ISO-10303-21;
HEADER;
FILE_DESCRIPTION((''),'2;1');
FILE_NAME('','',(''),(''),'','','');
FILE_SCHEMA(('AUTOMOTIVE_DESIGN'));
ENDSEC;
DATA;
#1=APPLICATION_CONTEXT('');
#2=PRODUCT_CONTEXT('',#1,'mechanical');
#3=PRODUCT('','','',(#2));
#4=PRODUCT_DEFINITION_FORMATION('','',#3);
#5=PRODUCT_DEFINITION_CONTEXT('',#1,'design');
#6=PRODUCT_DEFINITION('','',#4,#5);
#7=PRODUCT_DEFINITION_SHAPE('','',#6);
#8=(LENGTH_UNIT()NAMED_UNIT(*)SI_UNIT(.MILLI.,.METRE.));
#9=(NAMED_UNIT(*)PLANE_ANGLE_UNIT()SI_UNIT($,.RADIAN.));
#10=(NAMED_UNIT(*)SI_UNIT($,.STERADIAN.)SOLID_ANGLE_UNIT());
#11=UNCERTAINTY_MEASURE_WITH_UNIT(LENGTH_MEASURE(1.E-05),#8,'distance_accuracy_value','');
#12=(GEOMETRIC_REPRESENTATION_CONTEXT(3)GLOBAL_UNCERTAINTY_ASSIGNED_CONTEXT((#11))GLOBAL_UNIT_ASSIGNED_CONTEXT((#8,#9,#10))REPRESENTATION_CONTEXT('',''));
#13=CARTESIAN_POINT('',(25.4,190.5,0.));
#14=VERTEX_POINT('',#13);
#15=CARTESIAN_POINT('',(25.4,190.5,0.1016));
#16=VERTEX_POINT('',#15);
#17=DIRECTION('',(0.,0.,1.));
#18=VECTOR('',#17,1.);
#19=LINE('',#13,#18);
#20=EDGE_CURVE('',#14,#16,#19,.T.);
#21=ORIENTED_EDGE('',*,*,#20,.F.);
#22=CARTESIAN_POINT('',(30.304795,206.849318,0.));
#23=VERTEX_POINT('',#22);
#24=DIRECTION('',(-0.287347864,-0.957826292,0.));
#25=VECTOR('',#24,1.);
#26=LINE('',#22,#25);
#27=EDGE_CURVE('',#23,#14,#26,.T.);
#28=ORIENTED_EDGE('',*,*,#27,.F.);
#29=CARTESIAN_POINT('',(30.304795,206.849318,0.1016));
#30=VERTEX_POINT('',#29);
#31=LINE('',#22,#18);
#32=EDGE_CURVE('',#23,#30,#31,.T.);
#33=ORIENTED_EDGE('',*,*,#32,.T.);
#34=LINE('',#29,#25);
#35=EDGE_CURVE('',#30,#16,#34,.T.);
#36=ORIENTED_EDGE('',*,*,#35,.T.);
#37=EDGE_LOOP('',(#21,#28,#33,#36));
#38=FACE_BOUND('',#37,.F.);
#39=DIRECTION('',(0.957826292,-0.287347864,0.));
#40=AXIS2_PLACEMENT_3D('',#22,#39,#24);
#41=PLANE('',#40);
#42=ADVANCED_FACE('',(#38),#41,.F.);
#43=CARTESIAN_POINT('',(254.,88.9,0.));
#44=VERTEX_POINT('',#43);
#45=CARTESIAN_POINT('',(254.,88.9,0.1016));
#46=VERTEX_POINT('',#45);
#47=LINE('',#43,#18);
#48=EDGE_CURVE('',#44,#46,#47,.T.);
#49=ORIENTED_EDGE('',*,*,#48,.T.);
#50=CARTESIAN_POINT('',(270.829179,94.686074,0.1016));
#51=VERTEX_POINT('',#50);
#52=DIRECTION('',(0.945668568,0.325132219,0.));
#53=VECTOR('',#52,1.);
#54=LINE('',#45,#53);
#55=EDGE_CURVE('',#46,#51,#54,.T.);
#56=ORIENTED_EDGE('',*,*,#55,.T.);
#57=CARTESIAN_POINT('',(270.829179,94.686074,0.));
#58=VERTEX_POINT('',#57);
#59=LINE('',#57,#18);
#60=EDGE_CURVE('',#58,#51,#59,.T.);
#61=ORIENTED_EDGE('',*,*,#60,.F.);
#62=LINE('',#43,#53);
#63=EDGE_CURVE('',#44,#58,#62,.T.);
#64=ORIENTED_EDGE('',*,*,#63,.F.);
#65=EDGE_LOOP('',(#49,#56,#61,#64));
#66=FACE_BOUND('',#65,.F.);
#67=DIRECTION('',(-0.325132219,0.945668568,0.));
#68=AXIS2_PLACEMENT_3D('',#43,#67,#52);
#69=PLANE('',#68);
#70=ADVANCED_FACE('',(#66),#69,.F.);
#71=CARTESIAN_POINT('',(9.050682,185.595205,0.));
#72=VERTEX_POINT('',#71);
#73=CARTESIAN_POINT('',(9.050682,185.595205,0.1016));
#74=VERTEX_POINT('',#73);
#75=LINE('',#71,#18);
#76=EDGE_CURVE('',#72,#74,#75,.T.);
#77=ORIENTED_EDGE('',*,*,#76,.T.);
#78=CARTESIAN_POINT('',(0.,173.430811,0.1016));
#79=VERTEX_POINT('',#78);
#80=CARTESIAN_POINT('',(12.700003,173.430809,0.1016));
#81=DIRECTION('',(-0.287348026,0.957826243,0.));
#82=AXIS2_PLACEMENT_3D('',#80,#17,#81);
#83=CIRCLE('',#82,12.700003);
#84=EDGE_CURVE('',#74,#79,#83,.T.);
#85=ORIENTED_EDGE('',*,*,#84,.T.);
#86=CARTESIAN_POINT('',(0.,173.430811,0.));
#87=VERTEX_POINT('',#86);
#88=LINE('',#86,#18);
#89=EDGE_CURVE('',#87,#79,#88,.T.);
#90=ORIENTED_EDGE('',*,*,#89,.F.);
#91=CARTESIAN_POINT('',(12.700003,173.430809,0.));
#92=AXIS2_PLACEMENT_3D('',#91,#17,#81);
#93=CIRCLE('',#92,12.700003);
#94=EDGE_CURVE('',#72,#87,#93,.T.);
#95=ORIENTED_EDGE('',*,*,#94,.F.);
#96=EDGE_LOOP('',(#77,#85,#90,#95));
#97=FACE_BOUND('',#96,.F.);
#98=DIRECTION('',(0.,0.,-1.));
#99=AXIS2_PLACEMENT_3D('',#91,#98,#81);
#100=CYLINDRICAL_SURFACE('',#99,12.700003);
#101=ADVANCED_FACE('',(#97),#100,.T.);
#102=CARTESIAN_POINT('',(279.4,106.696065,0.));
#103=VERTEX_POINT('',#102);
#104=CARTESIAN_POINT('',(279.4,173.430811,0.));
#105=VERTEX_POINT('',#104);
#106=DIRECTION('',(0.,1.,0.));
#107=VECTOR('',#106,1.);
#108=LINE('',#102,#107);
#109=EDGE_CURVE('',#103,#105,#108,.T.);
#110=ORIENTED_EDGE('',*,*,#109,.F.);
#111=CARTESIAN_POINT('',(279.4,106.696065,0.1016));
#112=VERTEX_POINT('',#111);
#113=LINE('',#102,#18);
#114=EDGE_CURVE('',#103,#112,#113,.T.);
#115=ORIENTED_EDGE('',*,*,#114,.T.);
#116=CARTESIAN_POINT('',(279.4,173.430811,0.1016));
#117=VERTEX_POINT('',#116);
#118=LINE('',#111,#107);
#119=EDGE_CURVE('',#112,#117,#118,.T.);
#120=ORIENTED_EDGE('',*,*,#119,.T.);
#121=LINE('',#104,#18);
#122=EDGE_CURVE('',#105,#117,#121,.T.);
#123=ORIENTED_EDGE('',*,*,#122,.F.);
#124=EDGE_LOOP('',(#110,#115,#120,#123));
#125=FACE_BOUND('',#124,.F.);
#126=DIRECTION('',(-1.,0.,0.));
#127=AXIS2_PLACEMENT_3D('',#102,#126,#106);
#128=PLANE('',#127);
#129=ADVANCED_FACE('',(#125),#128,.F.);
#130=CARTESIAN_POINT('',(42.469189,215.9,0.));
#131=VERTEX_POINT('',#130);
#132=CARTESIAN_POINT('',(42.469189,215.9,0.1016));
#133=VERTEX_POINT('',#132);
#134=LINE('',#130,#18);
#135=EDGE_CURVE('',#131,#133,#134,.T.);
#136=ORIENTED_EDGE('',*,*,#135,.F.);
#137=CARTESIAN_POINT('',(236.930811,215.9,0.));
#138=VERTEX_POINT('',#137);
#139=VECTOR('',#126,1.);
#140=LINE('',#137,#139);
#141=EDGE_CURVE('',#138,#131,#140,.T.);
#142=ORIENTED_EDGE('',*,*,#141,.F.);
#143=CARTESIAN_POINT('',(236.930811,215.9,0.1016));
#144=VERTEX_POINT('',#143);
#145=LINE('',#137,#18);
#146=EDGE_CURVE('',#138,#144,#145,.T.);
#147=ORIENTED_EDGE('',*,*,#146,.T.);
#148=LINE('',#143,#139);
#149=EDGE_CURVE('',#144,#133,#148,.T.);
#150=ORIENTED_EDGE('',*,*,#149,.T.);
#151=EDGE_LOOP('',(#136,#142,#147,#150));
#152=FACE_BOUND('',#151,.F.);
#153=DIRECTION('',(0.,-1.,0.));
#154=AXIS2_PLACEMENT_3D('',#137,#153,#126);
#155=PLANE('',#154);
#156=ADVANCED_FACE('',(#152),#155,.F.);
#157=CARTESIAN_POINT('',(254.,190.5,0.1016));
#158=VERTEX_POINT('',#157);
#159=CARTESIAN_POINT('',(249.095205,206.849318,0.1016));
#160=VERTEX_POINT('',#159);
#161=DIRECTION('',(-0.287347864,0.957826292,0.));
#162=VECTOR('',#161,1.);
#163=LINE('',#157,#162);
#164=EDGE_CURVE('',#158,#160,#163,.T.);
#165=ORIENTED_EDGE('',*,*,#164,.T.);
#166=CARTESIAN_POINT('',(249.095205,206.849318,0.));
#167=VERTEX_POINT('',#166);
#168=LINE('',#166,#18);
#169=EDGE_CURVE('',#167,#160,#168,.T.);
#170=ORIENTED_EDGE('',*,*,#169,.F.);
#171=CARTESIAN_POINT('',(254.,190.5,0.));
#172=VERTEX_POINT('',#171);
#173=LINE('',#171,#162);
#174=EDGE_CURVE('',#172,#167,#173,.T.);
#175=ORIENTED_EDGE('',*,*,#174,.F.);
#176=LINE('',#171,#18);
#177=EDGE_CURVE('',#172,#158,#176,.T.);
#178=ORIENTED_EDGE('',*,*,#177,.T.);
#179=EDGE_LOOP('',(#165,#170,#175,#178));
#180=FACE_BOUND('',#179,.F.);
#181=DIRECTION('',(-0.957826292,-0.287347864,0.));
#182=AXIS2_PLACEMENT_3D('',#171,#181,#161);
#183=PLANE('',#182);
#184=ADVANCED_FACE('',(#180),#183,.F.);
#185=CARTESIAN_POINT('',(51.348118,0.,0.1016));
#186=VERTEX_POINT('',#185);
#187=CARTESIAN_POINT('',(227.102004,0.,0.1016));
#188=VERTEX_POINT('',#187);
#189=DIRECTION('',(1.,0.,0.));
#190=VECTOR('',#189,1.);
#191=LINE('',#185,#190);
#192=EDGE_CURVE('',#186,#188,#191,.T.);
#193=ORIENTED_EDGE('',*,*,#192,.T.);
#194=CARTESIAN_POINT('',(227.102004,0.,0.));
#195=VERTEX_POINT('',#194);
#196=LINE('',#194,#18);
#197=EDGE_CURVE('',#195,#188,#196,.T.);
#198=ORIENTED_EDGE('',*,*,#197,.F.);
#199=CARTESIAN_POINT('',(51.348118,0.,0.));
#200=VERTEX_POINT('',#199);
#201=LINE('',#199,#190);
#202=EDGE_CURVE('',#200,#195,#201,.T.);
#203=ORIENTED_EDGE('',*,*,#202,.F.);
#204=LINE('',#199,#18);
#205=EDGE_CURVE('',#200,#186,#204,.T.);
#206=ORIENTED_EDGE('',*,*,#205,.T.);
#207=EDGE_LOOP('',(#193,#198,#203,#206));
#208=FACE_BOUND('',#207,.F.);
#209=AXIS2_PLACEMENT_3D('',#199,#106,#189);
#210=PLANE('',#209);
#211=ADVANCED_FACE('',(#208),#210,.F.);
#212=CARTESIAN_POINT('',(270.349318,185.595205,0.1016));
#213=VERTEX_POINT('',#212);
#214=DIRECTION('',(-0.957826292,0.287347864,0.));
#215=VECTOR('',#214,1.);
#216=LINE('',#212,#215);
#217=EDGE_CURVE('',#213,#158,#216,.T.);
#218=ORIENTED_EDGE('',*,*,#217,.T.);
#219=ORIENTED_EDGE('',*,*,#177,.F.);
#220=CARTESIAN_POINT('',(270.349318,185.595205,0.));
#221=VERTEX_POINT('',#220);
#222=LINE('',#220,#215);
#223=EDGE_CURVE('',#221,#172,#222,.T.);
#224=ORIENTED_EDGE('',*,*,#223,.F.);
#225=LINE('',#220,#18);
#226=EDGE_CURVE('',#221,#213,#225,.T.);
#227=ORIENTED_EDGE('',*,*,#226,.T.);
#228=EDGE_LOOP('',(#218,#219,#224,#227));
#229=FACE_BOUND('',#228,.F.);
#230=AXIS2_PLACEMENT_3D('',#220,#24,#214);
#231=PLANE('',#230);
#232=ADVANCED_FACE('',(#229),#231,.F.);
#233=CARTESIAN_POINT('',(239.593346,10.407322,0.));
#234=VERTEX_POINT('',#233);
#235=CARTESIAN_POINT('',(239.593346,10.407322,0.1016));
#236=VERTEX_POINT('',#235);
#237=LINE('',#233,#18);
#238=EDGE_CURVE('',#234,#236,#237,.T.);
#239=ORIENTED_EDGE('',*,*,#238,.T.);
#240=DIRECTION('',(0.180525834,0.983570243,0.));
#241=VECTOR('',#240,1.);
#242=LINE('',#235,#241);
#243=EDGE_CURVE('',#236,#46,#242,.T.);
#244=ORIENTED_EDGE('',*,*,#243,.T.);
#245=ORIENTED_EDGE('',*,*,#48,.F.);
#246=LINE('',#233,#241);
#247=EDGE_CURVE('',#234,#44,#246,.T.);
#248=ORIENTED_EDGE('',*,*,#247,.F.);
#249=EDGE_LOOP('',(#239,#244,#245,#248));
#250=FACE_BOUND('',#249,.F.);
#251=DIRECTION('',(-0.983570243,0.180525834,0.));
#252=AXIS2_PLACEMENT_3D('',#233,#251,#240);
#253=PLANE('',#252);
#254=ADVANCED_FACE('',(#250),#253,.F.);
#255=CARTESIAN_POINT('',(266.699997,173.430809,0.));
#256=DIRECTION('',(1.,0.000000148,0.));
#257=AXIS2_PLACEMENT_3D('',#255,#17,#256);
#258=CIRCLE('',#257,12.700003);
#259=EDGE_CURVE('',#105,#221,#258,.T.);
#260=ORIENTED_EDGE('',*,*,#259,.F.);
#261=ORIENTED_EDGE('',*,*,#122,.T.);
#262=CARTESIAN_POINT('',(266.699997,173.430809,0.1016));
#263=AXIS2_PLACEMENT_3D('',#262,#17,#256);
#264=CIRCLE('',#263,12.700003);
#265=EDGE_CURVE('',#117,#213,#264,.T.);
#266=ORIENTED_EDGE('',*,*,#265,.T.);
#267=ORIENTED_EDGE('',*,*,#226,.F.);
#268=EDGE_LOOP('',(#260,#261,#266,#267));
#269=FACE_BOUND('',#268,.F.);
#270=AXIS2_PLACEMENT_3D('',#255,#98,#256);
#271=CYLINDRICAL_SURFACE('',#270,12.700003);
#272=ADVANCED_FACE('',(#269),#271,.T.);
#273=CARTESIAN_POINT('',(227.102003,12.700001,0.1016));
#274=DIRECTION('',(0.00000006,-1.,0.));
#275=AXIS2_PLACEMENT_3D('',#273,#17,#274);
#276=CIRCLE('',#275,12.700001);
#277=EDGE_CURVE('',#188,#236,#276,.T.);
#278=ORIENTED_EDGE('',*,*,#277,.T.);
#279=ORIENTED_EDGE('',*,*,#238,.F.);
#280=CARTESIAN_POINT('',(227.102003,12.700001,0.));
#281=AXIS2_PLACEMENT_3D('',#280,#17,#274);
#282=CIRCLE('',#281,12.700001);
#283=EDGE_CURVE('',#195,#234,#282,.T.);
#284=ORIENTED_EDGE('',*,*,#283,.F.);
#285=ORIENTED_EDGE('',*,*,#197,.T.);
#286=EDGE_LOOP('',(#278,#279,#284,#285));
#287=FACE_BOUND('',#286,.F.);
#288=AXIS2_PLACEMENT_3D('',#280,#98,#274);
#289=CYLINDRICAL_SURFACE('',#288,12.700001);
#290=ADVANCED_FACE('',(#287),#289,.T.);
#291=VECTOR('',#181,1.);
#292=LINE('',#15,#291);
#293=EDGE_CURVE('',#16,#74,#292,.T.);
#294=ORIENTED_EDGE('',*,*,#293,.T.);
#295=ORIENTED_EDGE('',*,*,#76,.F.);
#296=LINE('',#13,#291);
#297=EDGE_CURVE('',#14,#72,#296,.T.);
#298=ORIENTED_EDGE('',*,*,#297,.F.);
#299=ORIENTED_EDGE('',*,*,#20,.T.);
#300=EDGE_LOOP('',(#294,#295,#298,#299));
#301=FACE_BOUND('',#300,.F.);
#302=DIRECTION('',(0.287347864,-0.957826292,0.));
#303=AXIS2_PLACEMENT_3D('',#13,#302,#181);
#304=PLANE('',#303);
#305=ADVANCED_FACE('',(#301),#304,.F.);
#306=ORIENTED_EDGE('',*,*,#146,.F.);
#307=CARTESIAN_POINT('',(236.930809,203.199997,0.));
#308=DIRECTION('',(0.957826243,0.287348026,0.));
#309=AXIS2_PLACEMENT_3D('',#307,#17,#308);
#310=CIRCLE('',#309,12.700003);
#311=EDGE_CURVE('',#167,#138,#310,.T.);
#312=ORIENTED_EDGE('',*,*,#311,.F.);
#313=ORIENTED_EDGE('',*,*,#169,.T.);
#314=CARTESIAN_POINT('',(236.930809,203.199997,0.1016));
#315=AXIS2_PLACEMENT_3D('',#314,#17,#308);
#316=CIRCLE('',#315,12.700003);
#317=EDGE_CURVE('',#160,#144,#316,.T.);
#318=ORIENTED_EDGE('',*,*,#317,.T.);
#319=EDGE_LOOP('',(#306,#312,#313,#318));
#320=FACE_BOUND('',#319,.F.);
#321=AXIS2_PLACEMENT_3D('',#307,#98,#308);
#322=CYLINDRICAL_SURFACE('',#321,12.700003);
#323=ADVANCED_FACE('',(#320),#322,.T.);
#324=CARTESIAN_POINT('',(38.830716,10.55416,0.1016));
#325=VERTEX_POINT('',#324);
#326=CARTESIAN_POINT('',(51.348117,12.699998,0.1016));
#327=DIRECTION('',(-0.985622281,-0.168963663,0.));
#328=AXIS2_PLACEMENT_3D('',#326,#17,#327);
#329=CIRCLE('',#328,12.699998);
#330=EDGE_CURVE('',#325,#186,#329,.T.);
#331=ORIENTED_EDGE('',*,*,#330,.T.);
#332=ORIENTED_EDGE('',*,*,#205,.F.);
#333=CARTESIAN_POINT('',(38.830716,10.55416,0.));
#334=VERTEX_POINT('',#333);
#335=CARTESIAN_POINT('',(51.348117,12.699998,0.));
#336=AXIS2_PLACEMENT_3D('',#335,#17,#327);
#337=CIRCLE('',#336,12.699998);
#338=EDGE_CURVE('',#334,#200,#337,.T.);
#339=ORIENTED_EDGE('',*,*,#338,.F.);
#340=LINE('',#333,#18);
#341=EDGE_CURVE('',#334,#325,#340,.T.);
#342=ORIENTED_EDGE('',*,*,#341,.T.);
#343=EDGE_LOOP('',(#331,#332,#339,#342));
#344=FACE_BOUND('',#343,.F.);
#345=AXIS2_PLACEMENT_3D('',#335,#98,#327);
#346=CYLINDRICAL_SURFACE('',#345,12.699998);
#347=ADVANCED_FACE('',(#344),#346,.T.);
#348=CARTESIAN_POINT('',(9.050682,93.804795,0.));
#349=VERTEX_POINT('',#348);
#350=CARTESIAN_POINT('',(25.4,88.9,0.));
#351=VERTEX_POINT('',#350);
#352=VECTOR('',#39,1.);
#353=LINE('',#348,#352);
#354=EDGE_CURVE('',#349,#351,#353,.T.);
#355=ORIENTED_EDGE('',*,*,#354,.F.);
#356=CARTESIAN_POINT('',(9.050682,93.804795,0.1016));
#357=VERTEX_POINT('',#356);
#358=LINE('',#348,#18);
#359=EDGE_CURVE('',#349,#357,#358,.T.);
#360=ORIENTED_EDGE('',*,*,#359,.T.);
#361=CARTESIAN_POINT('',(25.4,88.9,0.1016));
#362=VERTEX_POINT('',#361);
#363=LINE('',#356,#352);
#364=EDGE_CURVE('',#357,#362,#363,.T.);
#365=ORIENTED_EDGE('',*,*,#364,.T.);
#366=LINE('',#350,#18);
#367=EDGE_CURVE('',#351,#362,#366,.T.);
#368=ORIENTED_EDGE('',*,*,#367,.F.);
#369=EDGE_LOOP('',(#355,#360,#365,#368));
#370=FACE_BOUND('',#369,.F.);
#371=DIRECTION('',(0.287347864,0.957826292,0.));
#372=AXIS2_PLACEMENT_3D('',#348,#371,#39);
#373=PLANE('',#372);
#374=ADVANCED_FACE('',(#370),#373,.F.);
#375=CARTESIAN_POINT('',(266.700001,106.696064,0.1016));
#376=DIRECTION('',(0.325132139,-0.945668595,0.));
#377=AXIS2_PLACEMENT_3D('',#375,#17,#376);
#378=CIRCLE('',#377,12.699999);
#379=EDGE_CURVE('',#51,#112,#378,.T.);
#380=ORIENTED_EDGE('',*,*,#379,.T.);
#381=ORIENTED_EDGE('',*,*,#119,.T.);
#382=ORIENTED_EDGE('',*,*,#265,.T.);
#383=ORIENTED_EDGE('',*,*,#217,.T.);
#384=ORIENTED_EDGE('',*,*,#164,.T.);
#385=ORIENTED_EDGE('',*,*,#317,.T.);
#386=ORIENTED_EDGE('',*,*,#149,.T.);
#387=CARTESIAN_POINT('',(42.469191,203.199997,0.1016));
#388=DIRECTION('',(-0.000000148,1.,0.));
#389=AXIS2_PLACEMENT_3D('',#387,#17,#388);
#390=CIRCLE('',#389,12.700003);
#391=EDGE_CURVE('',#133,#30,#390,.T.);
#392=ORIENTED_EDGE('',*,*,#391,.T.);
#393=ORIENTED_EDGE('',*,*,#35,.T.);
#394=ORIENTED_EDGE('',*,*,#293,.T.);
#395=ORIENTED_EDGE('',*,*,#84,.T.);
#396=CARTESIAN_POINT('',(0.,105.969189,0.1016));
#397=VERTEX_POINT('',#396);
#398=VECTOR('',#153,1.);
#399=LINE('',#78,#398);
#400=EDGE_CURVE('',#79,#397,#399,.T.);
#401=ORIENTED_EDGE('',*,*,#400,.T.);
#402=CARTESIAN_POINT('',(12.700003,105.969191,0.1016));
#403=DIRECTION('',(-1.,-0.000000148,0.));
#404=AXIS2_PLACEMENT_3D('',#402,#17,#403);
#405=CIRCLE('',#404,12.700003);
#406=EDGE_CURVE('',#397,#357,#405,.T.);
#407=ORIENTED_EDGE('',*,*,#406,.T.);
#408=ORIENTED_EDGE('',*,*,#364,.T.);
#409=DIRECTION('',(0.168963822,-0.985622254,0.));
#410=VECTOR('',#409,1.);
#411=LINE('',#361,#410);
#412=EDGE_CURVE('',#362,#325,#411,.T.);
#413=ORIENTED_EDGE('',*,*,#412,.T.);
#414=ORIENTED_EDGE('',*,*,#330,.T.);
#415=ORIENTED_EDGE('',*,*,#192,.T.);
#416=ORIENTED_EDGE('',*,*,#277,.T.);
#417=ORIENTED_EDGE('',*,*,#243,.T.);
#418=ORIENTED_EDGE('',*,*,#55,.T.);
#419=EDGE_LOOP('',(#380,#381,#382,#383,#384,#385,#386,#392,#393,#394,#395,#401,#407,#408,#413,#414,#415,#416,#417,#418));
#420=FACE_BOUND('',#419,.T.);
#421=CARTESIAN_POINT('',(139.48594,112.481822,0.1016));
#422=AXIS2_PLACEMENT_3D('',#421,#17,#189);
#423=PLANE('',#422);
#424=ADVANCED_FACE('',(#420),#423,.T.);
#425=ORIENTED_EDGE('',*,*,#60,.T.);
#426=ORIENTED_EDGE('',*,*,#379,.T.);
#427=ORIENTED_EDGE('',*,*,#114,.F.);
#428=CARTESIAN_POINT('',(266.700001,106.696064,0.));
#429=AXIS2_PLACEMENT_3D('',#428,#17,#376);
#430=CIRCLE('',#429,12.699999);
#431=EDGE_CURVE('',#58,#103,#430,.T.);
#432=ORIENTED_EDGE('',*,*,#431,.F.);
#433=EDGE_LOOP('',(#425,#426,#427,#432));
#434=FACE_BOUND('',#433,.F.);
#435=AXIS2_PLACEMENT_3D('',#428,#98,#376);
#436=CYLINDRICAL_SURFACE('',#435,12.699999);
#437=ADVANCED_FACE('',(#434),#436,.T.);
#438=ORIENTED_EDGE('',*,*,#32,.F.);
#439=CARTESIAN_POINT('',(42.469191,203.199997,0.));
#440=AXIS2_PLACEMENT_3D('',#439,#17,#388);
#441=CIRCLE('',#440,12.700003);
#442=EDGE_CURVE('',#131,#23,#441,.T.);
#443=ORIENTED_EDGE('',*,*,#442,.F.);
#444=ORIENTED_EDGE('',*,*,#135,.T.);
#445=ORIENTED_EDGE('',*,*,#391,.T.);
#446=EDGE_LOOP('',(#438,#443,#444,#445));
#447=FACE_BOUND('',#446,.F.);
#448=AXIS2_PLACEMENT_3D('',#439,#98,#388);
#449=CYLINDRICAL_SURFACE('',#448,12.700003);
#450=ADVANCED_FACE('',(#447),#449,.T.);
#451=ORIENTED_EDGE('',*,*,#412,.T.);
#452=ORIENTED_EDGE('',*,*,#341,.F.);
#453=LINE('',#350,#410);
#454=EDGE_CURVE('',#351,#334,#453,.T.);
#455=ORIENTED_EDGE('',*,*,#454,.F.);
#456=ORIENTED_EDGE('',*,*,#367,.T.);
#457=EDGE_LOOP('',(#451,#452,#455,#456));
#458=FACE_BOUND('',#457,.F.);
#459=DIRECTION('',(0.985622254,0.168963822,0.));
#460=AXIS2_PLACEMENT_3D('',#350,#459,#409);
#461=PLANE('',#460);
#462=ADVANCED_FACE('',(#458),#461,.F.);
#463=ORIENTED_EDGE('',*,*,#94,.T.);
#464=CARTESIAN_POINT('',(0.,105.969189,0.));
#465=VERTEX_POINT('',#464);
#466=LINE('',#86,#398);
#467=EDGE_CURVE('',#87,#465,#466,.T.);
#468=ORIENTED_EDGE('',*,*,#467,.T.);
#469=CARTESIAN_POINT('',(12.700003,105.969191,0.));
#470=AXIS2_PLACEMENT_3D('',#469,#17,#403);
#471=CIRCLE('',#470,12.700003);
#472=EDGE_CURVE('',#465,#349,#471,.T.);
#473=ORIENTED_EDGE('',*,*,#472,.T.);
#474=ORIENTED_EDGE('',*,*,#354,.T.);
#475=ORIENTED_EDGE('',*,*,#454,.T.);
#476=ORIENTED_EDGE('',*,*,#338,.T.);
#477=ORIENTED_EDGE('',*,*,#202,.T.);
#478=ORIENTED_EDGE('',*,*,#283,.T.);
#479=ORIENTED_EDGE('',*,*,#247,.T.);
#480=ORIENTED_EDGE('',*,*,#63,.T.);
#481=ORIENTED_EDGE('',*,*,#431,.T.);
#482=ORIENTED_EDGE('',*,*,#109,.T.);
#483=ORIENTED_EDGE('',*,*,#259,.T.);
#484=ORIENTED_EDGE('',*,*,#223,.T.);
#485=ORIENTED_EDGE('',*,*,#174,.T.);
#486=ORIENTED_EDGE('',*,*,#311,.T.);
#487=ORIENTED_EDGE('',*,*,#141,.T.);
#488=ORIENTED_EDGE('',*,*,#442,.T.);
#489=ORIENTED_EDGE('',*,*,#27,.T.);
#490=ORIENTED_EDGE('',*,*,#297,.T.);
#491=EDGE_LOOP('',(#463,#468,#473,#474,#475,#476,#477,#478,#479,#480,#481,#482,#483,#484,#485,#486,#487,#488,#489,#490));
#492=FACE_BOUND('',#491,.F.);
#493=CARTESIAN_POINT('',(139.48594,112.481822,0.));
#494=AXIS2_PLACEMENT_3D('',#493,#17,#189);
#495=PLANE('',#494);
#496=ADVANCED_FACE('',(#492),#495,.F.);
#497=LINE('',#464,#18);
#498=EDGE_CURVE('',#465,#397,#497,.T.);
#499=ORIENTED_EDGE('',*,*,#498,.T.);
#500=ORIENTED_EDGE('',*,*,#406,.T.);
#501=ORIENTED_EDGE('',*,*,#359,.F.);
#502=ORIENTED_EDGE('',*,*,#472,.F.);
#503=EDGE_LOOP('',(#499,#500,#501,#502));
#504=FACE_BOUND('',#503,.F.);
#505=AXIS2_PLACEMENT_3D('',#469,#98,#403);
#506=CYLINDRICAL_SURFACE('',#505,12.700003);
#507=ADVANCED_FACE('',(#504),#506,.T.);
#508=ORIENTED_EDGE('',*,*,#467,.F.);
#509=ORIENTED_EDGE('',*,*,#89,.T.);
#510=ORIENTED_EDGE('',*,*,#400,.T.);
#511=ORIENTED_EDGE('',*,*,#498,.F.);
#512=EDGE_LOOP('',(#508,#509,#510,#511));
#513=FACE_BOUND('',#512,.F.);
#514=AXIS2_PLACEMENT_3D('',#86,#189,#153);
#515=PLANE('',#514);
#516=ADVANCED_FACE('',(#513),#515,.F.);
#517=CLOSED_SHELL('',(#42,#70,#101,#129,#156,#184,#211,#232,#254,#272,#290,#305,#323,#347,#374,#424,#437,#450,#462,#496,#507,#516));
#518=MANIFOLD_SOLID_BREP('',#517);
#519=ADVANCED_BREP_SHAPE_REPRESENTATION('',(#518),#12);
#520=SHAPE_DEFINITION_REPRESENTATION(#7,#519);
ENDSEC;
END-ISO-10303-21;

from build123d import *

# Parameters (mm, degrees)
F1_DEPTH = 0.1016


with BuildPart() as f1:
    # F0 (on Top) → F1 (new body)
    with BuildSketch(Plane.XY):
        with BuildLine():
            Line((30.304795, 206.849318), (25.4, 190.5))
            Line((25.4, 190.5), (9.050682, 185.595205))
            ThreePointArc((9.050682, 185.595205), (2.51088, 181.011828), (0, 173.430811))
            Line((0, 173.430811), (0, 105.969189))
            ThreePointArc((0, 105.969189), (2.51088, 98.388172), (9.050682, 93.804795))
            Line((9.050682, 93.804795), (25.4, 88.9))
            Line((25.4, 88.9), (38.830716, 10.55416))
            ThreePointArc((38.830716, 10.55416), (43.16161, 2.99067), (51.348118, 0))
            Line((51.348118, 0), (227.102004, 0))
            ThreePointArc((227.102004, 0), (235.231364, 2.942772), (239.593346, 10.407322))
            Line((239.593346, 10.407322), (254, 88.9))
            Line((254, 88.9), (270.829179, 94.686074))
            ThreePointArc((270.829179, 94.686074), (277.037567, 99.318754), (279.4, 106.696065))
            Line((279.4, 106.696065), (279.4, 173.430811))
            ThreePointArc((279.4, 173.430811), (276.88912, 181.011828), (270.349318, 185.595205))
            Line((270.349318, 185.595205), (254, 190.5))
            Line((254, 190.5), (249.095205, 206.849318))
            ThreePointArc((249.095205, 206.849318), (244.511828, 213.38912), (236.930811, 215.9))
            Line((236.930811, 215.9), (42.469189, 215.9))
            ThreePointArc((42.469189, 215.9), (34.888172, 213.38912), (30.304795, 206.849318))
        make_face()
    extrude(amount=F1_DEPTH)


solid = f1.part
